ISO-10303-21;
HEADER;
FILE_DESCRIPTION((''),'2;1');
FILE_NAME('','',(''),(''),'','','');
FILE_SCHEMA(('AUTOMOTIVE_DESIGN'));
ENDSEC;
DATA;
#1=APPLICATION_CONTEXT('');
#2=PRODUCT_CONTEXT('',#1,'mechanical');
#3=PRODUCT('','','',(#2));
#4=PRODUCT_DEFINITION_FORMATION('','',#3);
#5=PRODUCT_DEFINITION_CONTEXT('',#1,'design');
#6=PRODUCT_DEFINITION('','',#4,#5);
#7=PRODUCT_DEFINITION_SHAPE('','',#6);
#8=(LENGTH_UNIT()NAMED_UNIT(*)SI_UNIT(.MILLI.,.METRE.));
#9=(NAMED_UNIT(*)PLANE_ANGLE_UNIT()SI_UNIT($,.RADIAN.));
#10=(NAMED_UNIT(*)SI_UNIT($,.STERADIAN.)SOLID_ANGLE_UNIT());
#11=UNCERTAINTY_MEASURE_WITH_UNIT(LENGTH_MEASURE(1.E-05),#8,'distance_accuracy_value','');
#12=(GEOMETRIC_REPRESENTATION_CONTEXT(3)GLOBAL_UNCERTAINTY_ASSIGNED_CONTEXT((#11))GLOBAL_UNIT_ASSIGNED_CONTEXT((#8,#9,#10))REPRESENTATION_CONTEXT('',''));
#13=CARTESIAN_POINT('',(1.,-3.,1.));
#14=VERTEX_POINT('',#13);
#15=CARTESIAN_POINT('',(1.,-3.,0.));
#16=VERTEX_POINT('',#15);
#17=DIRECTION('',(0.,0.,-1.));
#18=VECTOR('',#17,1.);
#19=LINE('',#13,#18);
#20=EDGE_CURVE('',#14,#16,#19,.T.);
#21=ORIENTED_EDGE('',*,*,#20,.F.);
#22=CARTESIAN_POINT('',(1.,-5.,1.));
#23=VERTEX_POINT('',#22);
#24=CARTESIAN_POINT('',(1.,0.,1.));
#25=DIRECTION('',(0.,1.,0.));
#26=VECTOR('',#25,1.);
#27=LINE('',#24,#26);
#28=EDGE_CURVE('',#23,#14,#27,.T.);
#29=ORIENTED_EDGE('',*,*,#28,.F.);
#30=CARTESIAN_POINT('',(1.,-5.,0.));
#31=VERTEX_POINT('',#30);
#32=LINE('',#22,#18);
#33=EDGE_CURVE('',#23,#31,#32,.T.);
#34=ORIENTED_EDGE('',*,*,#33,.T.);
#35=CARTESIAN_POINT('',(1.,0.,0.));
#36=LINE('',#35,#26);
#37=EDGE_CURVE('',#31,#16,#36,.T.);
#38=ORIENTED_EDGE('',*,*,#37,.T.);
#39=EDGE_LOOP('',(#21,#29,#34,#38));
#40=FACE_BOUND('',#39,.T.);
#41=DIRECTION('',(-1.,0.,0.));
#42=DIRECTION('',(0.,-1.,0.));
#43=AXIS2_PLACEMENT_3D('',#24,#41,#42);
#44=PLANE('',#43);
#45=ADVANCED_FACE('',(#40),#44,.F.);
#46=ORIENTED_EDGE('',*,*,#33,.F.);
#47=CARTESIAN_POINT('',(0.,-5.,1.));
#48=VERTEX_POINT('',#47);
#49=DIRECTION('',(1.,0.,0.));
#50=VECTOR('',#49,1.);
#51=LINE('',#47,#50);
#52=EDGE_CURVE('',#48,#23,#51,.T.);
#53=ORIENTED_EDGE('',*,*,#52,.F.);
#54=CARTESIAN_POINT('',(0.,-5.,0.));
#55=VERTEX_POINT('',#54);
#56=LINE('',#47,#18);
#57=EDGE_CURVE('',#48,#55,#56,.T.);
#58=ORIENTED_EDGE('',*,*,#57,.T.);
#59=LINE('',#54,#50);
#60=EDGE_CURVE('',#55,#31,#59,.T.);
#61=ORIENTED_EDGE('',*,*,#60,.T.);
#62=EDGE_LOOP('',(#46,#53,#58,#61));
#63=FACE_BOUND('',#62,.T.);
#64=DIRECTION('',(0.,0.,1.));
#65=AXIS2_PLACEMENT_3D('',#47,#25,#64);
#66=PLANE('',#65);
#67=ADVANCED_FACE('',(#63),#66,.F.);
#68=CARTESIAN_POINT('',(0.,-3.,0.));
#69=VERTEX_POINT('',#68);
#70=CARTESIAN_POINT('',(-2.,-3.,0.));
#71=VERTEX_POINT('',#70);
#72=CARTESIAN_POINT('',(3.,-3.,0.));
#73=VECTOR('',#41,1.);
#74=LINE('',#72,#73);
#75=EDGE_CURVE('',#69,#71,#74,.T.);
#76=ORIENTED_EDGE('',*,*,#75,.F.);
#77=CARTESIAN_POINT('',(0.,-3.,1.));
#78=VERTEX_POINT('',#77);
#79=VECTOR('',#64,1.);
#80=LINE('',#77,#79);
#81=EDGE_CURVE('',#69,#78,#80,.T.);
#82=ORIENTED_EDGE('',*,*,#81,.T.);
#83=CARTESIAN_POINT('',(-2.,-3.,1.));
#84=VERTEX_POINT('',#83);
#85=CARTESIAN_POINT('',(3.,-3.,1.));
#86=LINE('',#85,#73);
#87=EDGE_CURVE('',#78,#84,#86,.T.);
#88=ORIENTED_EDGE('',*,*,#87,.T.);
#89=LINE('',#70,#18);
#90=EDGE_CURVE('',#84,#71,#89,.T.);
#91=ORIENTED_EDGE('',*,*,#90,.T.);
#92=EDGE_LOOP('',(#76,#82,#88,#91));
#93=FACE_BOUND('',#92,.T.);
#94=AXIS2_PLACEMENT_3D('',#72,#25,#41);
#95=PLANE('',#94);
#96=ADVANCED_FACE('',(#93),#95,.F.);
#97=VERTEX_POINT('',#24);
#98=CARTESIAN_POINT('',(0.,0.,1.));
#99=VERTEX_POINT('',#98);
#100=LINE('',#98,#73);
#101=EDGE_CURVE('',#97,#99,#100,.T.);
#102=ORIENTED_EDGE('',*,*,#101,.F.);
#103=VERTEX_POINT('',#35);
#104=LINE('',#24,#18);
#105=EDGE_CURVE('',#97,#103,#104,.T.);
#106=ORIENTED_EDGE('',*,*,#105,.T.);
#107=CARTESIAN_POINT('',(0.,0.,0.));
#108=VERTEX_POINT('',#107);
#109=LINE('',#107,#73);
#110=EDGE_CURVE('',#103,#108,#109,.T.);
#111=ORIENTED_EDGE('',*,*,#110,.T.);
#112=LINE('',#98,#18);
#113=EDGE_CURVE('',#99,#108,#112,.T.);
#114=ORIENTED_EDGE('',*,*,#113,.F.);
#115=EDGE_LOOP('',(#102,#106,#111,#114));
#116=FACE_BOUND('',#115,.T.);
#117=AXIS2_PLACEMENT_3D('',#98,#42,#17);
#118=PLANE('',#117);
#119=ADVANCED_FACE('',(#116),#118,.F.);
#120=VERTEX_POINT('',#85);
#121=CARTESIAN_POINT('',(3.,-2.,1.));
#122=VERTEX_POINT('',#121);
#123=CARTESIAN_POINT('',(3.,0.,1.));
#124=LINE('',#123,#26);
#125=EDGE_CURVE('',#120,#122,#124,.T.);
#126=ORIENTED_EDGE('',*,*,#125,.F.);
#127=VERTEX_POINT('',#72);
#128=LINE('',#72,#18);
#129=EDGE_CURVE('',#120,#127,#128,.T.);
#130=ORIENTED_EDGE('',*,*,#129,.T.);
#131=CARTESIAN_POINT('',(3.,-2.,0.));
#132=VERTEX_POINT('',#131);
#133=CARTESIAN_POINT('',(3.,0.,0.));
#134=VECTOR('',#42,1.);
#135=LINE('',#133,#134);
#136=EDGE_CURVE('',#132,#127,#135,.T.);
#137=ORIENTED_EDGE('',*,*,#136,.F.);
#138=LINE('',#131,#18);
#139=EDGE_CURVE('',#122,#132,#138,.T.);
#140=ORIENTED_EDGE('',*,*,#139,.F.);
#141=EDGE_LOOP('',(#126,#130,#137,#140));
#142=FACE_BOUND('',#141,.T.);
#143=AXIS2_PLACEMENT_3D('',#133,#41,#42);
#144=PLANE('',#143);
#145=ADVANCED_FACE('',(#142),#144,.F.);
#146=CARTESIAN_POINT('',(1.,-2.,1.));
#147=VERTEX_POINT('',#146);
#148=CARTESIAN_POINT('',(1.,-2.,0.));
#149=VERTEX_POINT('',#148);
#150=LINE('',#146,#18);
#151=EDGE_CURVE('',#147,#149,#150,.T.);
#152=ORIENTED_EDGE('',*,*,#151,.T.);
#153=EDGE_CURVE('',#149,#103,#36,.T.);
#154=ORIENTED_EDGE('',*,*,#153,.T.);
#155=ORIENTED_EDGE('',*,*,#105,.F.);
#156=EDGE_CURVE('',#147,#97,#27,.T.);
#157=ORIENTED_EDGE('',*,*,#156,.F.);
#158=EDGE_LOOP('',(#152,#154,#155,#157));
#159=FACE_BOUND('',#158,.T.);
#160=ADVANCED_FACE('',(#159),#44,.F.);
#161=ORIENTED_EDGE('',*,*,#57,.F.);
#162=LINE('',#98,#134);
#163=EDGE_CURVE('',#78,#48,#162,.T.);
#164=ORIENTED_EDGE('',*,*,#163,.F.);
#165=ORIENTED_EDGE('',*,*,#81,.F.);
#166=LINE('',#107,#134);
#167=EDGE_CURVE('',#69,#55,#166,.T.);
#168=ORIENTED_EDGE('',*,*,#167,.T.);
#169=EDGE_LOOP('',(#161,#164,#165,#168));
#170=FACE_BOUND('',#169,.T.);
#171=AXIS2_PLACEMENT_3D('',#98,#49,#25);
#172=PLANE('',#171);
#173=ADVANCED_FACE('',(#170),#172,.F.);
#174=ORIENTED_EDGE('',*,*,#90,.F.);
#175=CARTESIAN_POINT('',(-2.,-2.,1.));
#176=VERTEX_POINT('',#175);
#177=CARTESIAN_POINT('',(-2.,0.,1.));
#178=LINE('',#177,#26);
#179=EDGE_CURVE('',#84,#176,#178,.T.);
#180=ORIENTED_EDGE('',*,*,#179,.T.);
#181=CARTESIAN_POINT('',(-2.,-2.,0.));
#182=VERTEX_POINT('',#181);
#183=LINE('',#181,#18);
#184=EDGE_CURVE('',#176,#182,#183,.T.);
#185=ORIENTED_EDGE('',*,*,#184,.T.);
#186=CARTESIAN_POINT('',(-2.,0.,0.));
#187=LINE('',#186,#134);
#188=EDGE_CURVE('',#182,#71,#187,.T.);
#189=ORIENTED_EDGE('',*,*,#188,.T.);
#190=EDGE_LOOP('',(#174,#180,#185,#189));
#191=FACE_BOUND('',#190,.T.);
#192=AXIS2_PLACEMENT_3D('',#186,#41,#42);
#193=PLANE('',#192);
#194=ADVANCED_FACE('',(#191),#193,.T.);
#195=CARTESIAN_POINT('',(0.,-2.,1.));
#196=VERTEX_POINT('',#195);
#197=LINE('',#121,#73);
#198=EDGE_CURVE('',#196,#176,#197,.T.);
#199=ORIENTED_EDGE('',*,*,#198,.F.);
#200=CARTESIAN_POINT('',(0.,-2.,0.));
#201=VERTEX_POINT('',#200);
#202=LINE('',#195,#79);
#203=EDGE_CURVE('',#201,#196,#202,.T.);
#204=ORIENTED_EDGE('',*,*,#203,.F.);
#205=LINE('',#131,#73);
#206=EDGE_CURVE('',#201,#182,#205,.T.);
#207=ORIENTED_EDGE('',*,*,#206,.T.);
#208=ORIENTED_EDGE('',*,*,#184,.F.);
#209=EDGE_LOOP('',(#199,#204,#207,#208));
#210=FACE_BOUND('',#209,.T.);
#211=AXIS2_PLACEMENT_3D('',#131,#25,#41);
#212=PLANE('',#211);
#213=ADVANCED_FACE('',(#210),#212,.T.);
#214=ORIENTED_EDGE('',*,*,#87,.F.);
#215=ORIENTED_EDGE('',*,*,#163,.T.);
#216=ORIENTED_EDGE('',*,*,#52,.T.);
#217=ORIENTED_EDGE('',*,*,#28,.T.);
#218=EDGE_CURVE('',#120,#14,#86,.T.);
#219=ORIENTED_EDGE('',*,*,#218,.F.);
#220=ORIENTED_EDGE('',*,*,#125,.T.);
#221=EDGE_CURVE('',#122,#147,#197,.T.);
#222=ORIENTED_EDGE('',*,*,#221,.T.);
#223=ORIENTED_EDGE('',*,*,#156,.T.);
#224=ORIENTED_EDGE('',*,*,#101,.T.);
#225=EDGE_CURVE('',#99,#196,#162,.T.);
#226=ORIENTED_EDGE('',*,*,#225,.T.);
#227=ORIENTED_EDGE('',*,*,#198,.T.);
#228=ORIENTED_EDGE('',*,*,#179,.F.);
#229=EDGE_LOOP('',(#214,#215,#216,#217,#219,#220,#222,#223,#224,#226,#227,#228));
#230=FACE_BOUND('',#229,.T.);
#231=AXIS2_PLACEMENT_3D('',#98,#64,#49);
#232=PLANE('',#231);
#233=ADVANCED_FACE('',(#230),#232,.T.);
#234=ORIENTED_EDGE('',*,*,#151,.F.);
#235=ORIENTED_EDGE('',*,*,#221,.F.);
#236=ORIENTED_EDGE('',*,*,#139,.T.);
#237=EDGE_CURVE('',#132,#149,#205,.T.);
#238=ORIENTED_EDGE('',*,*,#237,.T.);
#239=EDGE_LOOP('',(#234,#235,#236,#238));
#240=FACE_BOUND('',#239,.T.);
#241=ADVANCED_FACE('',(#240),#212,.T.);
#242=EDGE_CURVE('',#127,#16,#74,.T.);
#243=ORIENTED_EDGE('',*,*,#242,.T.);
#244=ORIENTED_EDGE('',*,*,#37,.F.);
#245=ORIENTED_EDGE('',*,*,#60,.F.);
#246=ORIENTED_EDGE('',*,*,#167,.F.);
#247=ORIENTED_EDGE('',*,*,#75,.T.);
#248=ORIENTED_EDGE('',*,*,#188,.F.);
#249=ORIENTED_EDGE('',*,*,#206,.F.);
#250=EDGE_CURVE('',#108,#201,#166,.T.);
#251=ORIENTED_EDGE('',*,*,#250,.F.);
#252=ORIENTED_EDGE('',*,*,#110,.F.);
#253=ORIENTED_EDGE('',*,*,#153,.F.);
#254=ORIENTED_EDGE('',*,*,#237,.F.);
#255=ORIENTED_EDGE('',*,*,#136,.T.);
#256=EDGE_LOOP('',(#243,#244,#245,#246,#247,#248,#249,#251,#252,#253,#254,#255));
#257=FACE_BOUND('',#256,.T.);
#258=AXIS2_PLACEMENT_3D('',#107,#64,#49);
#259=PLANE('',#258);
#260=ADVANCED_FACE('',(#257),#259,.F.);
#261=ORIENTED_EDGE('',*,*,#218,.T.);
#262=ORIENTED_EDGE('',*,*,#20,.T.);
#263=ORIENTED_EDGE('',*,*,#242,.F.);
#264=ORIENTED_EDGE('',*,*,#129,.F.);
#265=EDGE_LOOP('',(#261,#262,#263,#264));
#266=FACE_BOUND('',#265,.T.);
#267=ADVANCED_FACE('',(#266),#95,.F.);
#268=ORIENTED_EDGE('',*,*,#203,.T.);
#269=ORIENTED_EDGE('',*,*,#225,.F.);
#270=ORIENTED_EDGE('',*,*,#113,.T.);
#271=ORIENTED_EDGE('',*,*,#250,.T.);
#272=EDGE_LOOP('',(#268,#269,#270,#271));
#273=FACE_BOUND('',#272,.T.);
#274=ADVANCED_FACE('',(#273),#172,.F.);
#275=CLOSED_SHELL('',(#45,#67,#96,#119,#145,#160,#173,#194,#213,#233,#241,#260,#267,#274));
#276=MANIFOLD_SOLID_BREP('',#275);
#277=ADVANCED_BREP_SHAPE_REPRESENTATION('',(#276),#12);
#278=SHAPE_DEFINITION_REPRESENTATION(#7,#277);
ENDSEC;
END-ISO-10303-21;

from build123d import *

# Parameters (mm, degrees)
SKETCH1_W                = 1
SKETCH1_H                = 5
BOSS_EXTRUDE1_DEPTH      = 1
SKETCH2_R                = 0.228902054
BOSS_EXTRUDE2_DEPTH      = 0.01
BOSS_EXTRUDE3_DEPTH      = 2
BOSS_EXTRUDE3_DEPTH_BACK = 3


with BuildPart() as part:
    # Sketch1 → Boss-Extrude1 (new body)
    with BuildSketch(Plane.XY):
        with Locations((0.5, -2.5)):
            Rectangle(SKETCH1_W, SKETCH1_H)
    extrude(amount=BOSS_EXTRUDE1_DEPTH)

    # Sketch2 → Boss-Extrude2 (add)
    with BuildSketch(Plane(origin=(1, 0, 0), x_dir=(0, 0, -1), z_dir=(1, 0, 0))):
        with Locations(Location((-0.5, -2.5, 0), (0, 0, 270))):
            Circle(SKETCH2_R)
    extrude(amount=BOSS_EXTRUDE2_DEPTH)

    # Sketch3 → Boss-Extrude3 (add, two sides: drawn at the far end of the back side and taken through both)
    with BuildSketch(Plane.ZY.offset(-BOSS_EXTRUDE3_DEPTH_BACK)):
        Polygon((0.6, -2), (0.4, -3), (1, -3), (1, -2), align=None)
        Polygon((0, -3), (0.4, -3), (0.6, -2), (0, -2), align=None)
    extrude(amount=BOSS_EXTRUDE3_DEPTH + BOSS_EXTRUDE3_DEPTH_BACK)


solid = part.part
